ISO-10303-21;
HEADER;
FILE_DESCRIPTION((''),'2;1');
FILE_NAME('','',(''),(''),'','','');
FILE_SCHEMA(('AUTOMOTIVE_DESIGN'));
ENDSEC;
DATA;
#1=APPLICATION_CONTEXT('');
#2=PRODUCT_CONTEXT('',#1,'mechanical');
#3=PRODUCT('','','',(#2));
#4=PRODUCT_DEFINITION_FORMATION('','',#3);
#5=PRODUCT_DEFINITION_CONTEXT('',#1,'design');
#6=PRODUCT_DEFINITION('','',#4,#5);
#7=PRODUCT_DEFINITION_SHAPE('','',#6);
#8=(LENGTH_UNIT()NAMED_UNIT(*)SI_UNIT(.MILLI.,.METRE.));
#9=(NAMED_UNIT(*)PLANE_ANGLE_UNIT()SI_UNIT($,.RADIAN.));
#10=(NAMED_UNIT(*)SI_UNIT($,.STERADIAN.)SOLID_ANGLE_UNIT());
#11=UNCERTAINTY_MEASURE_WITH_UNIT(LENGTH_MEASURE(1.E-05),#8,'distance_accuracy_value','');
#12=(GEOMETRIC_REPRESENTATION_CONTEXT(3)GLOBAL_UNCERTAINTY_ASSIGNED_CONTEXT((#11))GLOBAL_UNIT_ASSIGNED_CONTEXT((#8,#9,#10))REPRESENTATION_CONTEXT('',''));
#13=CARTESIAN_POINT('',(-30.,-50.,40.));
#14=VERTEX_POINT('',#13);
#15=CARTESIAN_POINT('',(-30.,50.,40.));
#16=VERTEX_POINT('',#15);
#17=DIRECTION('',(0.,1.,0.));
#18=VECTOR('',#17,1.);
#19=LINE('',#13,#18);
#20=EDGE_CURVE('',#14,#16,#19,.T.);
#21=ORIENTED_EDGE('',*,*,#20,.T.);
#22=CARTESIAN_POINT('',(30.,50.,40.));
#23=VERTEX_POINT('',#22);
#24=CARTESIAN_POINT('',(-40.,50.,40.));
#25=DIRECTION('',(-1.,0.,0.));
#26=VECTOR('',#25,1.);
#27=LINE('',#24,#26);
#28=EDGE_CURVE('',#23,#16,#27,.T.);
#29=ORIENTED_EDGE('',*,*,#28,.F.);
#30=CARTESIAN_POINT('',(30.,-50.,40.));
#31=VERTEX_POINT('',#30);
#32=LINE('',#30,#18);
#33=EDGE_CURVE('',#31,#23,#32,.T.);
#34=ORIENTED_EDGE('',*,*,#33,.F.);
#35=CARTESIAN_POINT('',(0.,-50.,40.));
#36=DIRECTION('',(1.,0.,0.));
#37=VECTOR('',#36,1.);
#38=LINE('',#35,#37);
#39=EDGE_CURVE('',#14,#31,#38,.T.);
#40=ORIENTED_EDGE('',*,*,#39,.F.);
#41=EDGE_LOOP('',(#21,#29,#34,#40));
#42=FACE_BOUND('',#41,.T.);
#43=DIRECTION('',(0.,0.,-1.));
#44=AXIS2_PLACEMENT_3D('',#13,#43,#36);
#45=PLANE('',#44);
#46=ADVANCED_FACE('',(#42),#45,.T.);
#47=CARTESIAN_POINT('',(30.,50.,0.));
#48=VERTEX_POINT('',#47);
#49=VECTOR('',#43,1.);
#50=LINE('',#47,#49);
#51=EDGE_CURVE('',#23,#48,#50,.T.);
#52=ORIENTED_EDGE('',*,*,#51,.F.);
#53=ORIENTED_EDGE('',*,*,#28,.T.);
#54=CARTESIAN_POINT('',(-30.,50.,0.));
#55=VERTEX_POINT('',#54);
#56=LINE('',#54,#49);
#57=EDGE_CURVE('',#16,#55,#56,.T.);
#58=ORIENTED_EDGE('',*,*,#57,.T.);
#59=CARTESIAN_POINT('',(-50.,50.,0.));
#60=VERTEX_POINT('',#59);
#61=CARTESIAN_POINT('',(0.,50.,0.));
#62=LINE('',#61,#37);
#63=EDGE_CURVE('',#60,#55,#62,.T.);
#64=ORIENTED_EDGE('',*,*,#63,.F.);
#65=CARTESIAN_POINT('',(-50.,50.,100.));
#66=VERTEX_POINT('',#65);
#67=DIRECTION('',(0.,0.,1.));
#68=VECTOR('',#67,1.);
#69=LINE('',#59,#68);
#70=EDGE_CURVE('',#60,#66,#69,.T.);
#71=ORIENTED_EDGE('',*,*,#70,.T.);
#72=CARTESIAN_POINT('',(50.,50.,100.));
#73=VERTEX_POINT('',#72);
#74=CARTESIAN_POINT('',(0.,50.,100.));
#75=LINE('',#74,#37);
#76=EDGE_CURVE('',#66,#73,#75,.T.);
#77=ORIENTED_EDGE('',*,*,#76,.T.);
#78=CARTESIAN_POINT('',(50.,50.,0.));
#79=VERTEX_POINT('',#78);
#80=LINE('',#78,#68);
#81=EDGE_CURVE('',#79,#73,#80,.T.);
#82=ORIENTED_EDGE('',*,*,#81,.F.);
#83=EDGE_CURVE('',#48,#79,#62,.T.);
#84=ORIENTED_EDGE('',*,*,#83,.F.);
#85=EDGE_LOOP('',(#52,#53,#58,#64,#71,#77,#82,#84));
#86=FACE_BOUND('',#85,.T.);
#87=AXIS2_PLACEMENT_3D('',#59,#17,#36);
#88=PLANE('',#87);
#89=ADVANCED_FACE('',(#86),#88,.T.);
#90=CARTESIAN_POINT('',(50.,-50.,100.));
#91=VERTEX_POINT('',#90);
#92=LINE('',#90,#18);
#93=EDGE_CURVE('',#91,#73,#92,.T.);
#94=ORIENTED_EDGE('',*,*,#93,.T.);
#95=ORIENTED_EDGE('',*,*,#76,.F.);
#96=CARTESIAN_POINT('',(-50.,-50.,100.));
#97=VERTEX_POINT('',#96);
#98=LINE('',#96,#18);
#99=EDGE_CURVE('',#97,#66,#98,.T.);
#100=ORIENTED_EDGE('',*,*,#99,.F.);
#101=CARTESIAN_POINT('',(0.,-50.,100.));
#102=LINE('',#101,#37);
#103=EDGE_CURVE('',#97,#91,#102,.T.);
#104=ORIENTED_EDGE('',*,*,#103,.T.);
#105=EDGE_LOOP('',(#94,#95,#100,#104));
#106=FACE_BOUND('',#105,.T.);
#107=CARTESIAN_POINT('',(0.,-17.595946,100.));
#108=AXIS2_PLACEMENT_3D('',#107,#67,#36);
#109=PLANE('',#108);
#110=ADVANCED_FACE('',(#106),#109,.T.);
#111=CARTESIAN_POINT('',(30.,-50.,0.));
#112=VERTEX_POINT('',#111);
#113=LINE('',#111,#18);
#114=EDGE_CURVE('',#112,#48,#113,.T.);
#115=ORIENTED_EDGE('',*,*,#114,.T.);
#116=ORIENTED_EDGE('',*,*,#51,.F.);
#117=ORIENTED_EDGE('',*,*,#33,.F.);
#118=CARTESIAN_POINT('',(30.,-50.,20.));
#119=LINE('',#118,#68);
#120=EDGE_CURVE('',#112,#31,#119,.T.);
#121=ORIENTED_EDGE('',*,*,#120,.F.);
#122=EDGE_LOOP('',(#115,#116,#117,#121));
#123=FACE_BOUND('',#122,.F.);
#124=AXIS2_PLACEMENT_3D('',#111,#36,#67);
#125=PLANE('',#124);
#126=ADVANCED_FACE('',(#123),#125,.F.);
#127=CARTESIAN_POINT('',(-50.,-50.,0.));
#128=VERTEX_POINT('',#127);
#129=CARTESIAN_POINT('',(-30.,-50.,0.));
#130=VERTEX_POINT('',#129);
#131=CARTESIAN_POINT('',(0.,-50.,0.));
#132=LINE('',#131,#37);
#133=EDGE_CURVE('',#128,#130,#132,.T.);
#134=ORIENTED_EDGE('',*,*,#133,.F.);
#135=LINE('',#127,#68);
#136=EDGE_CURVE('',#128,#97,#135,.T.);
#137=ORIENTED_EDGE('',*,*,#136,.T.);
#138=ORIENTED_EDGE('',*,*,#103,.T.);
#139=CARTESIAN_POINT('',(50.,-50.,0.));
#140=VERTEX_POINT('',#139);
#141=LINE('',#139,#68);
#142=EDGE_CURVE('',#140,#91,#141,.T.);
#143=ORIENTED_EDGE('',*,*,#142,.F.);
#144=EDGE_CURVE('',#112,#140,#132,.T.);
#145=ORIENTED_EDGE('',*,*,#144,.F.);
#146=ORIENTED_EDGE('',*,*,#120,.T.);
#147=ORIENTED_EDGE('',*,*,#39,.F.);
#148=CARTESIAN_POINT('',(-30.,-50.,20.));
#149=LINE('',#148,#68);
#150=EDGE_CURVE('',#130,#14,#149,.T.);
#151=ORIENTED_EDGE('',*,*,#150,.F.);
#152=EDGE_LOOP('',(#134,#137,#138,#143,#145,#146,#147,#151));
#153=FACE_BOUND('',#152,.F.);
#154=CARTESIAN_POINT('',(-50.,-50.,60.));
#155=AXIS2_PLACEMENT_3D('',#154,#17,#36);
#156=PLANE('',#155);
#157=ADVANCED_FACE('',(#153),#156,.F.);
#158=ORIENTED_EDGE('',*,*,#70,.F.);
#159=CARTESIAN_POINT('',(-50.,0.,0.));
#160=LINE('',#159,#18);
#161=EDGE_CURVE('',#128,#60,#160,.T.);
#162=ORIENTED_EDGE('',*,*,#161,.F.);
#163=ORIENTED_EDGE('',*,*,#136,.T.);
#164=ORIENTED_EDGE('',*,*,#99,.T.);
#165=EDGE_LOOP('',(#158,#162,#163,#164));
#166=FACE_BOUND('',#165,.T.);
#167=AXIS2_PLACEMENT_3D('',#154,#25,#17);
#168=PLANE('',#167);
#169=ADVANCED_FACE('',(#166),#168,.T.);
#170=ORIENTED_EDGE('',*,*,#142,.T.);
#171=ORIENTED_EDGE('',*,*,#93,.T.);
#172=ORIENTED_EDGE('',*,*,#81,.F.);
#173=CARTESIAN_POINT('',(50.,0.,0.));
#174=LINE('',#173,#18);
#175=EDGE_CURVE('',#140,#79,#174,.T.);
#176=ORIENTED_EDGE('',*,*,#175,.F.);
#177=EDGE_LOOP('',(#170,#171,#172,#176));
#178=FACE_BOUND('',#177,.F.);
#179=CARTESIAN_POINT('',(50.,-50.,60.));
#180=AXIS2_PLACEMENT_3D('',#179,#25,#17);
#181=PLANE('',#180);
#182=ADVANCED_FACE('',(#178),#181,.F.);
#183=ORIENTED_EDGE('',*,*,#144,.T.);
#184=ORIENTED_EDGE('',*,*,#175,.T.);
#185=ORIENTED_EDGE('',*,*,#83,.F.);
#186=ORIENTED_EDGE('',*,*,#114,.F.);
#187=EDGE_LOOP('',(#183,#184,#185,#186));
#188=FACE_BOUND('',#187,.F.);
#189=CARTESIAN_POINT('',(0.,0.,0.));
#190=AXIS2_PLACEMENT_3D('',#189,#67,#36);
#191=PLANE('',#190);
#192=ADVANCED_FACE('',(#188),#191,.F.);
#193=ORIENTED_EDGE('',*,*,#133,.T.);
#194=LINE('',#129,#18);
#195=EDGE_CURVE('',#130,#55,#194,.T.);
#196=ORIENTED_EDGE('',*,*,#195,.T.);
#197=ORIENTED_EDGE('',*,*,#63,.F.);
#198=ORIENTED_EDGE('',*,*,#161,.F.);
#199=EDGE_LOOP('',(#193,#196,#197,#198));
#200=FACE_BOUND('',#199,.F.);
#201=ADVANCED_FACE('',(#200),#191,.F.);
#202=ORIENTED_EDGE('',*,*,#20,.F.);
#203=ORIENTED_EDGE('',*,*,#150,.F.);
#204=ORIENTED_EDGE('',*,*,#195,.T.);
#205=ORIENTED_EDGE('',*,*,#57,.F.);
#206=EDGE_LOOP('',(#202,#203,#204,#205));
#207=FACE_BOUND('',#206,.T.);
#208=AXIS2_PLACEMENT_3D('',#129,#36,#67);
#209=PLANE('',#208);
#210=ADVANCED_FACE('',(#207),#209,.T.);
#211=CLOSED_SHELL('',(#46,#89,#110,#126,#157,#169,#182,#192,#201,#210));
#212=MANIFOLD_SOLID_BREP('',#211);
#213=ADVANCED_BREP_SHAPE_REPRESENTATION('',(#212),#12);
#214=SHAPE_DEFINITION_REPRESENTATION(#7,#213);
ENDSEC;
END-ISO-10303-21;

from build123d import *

# Parameters (mm, degrees)
F0_W     = 100
F0_H     = 100
F1_DEPTH = 100
F2_W     = 100
F2_H     = 64.8081071675
F3_DEPTH = 40
F4_W     = 60
F4_H     = 40
F5_DEPTH = 100.001
F6_DEPTH = 40


with BuildPart() as f1:
    # F0 (on Top) → F1 (new body)
    with BuildSketch(Plane.XY):
        Rectangle(F0_W, F0_H)
    extrude(amount=F1_DEPTH)

    # F2 (on face) → F3 (cut)
    with BuildSketch(Plane.XY.offset(100)):
        with Locations((0, -17.5959464163)):
            Rectangle(F2_W, F2_H)
    extrude(amount=-F3_DEPTH, mode=Mode.SUBTRACT)

    # F4 (on face) → F5 (cut, through all)
    with BuildSketch(Plane.XZ.offset(50)):
        with Locations((0, 20)):
            Rectangle(F4_W, F4_H)
    extrude(amount=-F5_DEPTH, mode=Mode.SUBTRACT)

    # F6 (add): a face of the model
    f6_faces = [f1.faces().sort_by_distance(p)[0] for p in [
        (0, -17.5959464163, 60),
    ]]
    extrude(f6_faces, amount=F6_DEPTH)


solid = f1.part
